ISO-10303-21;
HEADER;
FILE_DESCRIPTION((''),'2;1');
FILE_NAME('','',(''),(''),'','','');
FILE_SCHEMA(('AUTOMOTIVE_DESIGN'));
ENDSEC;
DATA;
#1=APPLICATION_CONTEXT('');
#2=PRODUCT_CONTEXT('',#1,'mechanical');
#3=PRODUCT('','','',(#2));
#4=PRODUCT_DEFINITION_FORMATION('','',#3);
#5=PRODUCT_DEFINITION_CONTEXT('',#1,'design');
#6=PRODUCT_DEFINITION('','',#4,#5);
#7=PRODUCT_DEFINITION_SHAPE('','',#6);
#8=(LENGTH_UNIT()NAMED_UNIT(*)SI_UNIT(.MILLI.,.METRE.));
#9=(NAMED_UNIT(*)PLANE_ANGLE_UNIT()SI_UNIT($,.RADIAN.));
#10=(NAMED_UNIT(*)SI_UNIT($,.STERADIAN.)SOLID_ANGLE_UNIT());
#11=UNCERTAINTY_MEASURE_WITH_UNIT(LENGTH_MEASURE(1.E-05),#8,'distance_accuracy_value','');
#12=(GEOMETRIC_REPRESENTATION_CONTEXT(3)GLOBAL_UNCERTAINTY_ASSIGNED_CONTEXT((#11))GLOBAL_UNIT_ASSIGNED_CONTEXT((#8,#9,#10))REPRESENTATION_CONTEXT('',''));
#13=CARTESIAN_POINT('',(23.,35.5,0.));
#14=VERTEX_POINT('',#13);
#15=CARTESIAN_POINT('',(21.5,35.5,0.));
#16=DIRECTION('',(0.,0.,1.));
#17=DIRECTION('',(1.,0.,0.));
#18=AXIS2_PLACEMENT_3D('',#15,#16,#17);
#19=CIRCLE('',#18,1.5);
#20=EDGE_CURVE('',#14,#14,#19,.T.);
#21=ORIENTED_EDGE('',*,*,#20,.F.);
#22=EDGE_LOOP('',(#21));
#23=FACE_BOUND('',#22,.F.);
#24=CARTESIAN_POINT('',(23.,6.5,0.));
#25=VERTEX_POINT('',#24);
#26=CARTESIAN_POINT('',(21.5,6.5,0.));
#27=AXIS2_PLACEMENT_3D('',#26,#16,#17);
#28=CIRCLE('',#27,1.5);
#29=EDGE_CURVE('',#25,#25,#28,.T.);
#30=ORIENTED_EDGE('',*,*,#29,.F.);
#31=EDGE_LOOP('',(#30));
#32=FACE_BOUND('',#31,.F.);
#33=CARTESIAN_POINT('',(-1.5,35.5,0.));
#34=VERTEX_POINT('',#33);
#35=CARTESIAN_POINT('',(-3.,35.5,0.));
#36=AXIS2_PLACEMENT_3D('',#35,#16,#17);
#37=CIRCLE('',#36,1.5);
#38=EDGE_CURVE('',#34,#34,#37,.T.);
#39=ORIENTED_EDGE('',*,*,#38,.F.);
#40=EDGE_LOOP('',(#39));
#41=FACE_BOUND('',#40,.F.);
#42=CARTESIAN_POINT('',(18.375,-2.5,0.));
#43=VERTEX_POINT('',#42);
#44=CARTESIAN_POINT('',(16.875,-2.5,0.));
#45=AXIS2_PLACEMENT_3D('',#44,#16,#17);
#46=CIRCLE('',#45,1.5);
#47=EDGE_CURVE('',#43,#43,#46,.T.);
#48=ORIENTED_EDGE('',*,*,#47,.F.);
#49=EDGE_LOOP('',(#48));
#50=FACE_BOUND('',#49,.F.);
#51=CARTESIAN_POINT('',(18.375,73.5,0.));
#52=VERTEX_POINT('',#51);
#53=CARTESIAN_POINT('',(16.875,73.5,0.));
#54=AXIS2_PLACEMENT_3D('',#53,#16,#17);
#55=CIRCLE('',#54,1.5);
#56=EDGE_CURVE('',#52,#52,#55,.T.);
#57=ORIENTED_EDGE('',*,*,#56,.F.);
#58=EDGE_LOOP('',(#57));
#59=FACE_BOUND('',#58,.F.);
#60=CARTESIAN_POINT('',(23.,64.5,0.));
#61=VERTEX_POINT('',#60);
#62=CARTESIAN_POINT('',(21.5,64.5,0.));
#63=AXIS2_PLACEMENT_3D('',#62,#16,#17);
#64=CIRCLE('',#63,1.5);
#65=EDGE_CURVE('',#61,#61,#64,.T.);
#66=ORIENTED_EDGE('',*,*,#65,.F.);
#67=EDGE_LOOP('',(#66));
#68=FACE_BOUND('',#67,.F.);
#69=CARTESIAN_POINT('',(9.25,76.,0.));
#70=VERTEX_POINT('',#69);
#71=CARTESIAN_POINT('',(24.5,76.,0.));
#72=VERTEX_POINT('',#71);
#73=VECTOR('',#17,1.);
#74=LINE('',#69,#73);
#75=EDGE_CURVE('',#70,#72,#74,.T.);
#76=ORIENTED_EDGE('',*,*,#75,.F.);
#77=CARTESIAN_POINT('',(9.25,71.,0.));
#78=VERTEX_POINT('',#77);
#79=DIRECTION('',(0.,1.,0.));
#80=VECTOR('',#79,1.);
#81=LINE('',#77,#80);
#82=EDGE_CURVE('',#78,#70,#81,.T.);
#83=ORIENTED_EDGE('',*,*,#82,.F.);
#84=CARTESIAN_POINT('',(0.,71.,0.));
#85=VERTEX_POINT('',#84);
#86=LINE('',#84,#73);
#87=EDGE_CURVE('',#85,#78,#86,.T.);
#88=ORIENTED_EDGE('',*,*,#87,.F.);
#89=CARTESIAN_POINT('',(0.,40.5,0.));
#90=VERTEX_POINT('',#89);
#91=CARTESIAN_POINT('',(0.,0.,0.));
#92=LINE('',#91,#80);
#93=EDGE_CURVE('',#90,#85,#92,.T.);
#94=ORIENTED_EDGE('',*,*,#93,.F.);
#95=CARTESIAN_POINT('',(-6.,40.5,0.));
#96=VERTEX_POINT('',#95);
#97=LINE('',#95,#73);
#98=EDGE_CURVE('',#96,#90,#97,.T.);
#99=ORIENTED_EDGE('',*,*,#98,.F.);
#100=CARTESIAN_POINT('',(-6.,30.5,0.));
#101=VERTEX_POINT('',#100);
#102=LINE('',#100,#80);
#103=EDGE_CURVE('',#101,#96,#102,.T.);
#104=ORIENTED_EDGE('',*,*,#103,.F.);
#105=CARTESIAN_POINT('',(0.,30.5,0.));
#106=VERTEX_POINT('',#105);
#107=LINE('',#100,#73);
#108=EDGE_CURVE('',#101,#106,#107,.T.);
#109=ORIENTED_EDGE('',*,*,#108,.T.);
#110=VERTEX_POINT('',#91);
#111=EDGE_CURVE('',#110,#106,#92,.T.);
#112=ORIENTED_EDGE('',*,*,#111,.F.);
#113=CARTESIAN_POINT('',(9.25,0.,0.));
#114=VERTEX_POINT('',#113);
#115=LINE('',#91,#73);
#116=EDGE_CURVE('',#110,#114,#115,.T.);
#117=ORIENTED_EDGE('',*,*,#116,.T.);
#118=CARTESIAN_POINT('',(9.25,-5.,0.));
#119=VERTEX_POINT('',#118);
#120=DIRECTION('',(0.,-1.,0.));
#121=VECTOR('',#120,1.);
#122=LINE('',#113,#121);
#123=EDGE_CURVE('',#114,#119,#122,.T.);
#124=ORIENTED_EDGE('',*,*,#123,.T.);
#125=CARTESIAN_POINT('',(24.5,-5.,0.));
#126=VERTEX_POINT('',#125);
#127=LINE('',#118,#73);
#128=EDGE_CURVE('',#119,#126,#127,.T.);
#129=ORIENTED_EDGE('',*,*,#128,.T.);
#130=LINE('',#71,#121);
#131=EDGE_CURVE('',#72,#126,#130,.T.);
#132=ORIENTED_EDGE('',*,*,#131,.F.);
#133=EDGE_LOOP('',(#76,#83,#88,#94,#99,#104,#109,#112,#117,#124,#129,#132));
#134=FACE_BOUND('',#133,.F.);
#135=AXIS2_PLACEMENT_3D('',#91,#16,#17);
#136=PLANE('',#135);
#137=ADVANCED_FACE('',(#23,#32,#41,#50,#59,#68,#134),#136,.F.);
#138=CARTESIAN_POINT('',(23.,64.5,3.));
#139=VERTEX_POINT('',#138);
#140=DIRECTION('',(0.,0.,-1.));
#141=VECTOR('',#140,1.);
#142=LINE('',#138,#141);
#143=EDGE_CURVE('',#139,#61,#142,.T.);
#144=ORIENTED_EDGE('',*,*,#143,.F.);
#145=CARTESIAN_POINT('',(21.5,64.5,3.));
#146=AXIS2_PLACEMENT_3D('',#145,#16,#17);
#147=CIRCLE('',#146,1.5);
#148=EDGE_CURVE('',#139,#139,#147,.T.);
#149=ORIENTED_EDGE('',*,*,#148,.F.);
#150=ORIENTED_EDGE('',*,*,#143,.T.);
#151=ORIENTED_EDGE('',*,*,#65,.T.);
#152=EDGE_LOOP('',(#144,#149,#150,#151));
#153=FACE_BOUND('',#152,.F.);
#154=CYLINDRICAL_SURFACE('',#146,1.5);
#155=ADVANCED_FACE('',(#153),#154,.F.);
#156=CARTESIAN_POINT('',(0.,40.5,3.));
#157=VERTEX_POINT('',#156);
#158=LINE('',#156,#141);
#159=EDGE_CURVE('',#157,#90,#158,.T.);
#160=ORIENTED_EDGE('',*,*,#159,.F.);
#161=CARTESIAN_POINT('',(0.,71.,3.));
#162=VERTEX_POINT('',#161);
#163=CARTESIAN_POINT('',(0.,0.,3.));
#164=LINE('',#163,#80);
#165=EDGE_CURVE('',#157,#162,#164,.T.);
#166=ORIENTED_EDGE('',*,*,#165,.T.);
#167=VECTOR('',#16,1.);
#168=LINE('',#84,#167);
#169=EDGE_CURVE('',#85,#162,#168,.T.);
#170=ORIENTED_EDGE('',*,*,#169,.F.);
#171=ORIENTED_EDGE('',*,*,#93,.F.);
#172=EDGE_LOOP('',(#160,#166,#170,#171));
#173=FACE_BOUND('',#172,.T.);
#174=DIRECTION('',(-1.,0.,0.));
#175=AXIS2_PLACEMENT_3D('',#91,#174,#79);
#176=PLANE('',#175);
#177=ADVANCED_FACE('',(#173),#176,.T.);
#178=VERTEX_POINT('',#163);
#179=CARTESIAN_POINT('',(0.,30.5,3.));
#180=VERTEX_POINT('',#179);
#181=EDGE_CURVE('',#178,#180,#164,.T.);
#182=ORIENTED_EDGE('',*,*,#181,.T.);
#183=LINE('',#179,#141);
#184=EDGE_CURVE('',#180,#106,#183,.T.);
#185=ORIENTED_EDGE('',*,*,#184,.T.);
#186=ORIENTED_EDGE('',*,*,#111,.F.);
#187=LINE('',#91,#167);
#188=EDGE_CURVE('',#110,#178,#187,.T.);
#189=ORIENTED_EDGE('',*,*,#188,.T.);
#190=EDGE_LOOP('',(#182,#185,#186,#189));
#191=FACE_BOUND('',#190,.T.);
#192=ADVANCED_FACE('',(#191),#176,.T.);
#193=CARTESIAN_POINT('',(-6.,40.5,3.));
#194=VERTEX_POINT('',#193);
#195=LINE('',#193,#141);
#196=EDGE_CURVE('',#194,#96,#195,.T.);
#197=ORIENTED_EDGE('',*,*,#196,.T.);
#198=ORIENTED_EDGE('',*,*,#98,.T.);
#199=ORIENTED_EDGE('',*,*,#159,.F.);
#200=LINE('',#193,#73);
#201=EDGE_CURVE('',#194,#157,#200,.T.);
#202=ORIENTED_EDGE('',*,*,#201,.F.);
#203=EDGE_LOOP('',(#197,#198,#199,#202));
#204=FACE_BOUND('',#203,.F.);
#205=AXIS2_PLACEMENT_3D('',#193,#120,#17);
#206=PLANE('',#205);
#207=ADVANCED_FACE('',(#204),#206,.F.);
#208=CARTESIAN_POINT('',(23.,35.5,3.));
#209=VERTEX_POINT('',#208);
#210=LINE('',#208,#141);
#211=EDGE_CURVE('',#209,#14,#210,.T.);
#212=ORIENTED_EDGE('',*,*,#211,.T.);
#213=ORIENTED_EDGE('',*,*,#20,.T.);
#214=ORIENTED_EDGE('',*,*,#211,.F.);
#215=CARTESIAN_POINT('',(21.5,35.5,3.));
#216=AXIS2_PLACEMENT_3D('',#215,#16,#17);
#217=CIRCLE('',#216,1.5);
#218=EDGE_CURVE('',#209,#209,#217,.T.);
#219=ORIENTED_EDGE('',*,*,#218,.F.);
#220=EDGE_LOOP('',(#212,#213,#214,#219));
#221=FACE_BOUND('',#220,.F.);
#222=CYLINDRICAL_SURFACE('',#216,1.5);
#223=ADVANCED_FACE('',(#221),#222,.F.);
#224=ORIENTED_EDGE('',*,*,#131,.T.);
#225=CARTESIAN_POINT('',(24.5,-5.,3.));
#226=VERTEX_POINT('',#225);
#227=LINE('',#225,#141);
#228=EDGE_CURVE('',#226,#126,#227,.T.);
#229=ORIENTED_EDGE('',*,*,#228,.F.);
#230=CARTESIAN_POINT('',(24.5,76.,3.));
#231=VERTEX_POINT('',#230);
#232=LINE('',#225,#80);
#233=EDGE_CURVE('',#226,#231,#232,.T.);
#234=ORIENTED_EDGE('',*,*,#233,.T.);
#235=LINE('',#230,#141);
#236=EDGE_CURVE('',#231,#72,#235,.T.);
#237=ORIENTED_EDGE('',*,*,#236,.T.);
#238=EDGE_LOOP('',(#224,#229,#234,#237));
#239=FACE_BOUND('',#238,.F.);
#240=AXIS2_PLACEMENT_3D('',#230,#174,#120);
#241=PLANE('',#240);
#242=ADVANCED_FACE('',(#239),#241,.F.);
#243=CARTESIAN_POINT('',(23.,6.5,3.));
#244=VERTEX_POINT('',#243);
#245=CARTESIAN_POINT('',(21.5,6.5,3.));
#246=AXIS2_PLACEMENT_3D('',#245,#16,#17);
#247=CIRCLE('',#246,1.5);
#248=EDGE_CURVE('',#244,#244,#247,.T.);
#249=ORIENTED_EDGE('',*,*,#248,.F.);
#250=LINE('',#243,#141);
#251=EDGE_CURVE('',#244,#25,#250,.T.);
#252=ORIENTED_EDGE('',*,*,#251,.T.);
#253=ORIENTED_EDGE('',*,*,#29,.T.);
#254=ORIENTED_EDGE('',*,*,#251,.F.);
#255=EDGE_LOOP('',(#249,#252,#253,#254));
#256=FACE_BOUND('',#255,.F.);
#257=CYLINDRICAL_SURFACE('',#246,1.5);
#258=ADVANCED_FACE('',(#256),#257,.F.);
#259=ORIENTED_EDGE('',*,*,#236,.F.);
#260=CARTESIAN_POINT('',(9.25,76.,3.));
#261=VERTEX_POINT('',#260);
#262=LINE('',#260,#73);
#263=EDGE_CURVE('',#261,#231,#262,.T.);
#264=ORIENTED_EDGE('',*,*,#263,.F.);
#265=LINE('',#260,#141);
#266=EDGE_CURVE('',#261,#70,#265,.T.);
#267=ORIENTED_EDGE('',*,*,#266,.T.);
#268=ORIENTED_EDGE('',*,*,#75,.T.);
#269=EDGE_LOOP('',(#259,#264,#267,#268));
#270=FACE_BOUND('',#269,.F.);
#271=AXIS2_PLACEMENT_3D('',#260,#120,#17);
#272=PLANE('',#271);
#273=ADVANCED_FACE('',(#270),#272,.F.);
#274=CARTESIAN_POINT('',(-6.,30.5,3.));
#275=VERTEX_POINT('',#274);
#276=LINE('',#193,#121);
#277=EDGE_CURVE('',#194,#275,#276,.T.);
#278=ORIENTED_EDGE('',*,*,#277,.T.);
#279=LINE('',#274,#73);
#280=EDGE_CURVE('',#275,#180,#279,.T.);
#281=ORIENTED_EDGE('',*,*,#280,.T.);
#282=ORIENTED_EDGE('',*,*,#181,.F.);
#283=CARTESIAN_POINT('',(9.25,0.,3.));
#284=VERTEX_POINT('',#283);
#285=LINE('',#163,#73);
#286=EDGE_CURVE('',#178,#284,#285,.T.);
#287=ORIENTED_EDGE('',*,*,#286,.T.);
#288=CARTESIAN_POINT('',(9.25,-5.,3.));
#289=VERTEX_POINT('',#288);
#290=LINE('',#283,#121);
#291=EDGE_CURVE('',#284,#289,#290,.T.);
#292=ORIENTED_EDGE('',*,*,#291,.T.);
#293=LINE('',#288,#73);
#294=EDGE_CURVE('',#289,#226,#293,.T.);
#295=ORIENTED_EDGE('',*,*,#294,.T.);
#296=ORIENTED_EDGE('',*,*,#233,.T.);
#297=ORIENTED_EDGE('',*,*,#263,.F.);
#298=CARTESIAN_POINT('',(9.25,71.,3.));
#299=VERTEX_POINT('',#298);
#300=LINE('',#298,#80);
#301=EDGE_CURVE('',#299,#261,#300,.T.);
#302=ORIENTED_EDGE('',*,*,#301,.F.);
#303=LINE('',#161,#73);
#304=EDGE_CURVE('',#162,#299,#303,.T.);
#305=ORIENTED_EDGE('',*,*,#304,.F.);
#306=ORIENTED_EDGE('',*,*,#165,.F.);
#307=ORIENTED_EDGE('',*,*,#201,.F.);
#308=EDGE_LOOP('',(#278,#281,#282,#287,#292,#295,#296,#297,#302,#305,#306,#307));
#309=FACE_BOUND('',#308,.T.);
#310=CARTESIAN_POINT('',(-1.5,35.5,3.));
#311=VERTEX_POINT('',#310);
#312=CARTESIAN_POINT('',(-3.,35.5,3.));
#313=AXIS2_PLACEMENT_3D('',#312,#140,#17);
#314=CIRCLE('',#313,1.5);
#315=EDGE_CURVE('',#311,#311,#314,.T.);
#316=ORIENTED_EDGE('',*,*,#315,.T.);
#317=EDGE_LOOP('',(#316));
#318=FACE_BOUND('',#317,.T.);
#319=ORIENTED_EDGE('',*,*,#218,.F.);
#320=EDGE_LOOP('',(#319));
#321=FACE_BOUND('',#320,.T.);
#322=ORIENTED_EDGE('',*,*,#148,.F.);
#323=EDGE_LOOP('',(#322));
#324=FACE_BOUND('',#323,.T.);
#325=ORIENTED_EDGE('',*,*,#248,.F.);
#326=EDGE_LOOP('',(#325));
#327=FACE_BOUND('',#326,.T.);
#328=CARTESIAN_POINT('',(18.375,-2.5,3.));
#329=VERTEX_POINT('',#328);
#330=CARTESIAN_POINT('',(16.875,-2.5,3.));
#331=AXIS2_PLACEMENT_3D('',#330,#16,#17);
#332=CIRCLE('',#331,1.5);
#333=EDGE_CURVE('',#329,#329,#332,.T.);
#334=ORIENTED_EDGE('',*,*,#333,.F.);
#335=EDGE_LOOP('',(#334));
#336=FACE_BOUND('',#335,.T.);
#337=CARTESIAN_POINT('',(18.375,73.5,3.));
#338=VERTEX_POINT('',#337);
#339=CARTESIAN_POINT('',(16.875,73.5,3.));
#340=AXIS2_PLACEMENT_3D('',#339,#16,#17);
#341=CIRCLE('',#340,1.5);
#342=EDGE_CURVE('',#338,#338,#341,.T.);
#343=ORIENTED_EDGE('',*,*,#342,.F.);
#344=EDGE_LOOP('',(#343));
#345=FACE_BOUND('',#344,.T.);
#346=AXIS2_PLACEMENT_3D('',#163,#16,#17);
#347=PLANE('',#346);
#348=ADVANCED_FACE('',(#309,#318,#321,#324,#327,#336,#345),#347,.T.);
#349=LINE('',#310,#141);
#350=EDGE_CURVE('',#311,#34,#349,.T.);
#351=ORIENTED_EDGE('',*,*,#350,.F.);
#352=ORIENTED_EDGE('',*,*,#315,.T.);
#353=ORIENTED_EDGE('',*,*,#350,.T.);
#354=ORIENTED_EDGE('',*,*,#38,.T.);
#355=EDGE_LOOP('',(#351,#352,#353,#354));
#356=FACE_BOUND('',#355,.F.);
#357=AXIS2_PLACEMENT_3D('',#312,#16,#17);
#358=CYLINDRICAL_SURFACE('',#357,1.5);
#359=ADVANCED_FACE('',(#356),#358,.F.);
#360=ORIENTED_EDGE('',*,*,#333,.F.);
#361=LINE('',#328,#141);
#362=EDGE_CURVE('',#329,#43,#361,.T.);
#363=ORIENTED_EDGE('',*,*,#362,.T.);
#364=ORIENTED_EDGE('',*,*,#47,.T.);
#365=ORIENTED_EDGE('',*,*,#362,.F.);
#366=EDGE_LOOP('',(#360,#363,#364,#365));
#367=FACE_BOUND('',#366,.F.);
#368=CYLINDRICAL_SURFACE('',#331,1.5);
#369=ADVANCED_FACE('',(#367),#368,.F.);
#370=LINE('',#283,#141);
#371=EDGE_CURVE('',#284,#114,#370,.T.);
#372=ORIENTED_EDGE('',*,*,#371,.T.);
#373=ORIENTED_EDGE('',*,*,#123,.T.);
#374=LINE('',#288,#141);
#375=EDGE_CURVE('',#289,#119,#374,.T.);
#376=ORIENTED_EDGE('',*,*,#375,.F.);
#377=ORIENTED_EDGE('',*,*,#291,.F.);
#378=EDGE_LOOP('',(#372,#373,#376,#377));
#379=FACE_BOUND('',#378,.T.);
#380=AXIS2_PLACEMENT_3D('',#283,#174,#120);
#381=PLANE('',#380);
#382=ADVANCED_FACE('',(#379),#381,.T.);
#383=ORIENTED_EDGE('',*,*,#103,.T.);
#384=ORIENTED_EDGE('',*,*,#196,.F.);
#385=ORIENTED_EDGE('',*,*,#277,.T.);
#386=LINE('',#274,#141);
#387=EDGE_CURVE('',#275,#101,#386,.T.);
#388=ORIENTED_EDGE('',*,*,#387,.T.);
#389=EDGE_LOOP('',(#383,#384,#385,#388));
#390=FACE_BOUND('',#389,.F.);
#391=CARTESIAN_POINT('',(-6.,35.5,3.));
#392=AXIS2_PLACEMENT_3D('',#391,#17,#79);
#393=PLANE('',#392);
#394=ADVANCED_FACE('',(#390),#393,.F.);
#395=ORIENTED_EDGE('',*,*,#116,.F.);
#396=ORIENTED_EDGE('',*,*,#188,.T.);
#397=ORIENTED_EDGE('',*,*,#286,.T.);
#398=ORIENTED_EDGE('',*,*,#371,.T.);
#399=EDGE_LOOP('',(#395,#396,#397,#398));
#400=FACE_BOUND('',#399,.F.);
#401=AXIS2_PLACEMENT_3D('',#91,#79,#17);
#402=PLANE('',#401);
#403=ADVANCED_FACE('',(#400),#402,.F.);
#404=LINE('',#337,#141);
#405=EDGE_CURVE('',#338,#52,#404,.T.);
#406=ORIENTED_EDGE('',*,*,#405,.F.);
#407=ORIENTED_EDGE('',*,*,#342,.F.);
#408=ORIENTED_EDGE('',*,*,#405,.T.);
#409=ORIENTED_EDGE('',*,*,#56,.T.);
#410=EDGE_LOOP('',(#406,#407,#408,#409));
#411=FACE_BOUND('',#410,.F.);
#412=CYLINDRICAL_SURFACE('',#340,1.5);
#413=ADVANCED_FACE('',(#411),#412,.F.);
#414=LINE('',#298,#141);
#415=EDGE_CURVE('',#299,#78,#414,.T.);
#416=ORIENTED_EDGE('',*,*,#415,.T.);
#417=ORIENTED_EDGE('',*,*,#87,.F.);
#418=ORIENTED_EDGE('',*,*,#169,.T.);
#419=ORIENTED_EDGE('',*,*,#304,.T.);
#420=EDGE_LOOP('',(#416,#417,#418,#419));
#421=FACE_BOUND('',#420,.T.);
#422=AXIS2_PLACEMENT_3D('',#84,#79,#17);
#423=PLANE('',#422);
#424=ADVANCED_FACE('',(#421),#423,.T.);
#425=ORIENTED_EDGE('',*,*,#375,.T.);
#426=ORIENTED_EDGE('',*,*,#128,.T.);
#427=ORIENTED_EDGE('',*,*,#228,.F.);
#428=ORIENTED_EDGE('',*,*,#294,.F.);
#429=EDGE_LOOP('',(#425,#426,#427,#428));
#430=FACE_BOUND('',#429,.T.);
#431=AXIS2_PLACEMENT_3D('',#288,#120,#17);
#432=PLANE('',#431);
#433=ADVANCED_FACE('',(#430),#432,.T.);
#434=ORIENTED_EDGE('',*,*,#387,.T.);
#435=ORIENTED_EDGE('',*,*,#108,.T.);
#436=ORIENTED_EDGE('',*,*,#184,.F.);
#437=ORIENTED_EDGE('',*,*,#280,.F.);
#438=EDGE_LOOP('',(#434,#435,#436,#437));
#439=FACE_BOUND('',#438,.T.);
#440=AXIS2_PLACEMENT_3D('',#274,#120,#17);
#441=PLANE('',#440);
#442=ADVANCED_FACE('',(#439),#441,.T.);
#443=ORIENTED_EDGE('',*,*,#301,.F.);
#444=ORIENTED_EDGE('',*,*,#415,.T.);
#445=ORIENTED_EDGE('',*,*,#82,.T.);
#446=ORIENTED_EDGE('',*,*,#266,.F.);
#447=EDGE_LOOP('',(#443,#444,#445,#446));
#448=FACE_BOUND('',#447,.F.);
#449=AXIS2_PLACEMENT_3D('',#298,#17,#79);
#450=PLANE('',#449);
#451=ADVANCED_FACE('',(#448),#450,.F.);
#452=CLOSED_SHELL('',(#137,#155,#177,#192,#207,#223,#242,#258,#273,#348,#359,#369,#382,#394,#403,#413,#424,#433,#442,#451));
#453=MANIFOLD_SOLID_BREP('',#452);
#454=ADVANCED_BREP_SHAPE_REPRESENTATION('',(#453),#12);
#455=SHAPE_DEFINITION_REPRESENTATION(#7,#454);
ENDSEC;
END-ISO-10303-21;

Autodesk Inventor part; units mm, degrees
ref_plane "YZ Plane" through (0, 0, 0) normal (1, 0, 0) x (0, 1, 0)
ref_plane "XZ Plane" through (0, 0, 0) normal (0, 1, 0) x (-1, 0, 0)
ref_plane "XY Plane" through (0, 0, 0) normal (0, 0, 1) x (1, 0, 0)
sketch "Sketch1" plane through (0, 0, 0) normal (0, 0, 1) x (1, 0, 0)
  line L0 (0, 0) -> (18.5, 0)
  line L1 (0, 0) -> (0, 71)
  line L2 (0, 71) -> (18.5, 71)
  line L3 (18.5, 71) -> (18.5, 0)
  dimension "d0" = 18.5
  dimension "d1" = 71
extrude "Extrusion1" add sketch "Sketch1" along normal blind 3
sketch "Sketch2" plane through (0, 0, 3) normal (0, 0, 1) x (1, 0, 0)
  line L0 (0, 0) -> (18.5, 0) projected
  line L1 (18.5, 0) -> (18.5, 71) projected
  line L2 (18.5, 71) -> (0, 71) projected
  line L3 (0, 71) -> (0, 0) projected
  line L4 (24.5, 71) -> (24.5, 0)
  circle A0 centre (21.5, 64.5) radius 1.5
  circle A1 centre (21.5, 35.5) radius 1.5
  circle A2 centre (21.5, 6.5) radius 1.5
  line L5 (18.5, 71) -> (0, 71) projected
  line L6 (9.25, 71) -> (9.25, 76)
  line L7 (9.25, 76) -> (24.5, 76)
  line L8 (24.5, 76) -> (24.5, 71)
  circle A3 centre (16.875, 73.5) radius 1.5
  line L9 (0, 71) -> (0, 0) projected
  line L10 (9.25, 0) -> (9.25, -5)
  line L11 (9.25, -5) -> (24.5, -5)
  circle A4 centre (16.875, -2.5) radius 1.5
  line L12 (24.5, 0) -> (24.5, -5)
  dimension "d4" = 6
  dimension "d11" = 3
  dimension "d12" = 3
  dimension "d13" = 3
  dimension "d15" = 5
extrude "Extrusion2" add sketch "Sketch2" against normal blind 3 contours L0 L1 L2 L6 L7 L8 L4 L12 L11 L10
sketch "Sketch3" plane through (0, 0, 3) normal (0, 0, 1) x (1, 0, 0)
  line L0 (0, 71) -> (0, 0) projected
  line L1 (0, 35.5) -> (-6, 35.5)
  line L2 (-6, 35.5) -> (-6, 30.5)
  line L3 (-6, 30.5) -> (0, 30.5)
  line L4 (-6, 35.5) -> (-6, 40.5)
  line L5 (-6, 40.5) -> (0, 40.5)
  circle A0 centre (-3, 35.5) radius 1.5
  dimension "d19" = 6
  dimension "d20" = 5
  dimension "d21" = 5
  dimension "d22" = 3
extrude "Extrusion3" add sketch "Sketch3" against normal blind 3 contours L0 L1 A0 L4 L5 | L0 L3 L2 L1 A0
properties part number "side steel plates"
